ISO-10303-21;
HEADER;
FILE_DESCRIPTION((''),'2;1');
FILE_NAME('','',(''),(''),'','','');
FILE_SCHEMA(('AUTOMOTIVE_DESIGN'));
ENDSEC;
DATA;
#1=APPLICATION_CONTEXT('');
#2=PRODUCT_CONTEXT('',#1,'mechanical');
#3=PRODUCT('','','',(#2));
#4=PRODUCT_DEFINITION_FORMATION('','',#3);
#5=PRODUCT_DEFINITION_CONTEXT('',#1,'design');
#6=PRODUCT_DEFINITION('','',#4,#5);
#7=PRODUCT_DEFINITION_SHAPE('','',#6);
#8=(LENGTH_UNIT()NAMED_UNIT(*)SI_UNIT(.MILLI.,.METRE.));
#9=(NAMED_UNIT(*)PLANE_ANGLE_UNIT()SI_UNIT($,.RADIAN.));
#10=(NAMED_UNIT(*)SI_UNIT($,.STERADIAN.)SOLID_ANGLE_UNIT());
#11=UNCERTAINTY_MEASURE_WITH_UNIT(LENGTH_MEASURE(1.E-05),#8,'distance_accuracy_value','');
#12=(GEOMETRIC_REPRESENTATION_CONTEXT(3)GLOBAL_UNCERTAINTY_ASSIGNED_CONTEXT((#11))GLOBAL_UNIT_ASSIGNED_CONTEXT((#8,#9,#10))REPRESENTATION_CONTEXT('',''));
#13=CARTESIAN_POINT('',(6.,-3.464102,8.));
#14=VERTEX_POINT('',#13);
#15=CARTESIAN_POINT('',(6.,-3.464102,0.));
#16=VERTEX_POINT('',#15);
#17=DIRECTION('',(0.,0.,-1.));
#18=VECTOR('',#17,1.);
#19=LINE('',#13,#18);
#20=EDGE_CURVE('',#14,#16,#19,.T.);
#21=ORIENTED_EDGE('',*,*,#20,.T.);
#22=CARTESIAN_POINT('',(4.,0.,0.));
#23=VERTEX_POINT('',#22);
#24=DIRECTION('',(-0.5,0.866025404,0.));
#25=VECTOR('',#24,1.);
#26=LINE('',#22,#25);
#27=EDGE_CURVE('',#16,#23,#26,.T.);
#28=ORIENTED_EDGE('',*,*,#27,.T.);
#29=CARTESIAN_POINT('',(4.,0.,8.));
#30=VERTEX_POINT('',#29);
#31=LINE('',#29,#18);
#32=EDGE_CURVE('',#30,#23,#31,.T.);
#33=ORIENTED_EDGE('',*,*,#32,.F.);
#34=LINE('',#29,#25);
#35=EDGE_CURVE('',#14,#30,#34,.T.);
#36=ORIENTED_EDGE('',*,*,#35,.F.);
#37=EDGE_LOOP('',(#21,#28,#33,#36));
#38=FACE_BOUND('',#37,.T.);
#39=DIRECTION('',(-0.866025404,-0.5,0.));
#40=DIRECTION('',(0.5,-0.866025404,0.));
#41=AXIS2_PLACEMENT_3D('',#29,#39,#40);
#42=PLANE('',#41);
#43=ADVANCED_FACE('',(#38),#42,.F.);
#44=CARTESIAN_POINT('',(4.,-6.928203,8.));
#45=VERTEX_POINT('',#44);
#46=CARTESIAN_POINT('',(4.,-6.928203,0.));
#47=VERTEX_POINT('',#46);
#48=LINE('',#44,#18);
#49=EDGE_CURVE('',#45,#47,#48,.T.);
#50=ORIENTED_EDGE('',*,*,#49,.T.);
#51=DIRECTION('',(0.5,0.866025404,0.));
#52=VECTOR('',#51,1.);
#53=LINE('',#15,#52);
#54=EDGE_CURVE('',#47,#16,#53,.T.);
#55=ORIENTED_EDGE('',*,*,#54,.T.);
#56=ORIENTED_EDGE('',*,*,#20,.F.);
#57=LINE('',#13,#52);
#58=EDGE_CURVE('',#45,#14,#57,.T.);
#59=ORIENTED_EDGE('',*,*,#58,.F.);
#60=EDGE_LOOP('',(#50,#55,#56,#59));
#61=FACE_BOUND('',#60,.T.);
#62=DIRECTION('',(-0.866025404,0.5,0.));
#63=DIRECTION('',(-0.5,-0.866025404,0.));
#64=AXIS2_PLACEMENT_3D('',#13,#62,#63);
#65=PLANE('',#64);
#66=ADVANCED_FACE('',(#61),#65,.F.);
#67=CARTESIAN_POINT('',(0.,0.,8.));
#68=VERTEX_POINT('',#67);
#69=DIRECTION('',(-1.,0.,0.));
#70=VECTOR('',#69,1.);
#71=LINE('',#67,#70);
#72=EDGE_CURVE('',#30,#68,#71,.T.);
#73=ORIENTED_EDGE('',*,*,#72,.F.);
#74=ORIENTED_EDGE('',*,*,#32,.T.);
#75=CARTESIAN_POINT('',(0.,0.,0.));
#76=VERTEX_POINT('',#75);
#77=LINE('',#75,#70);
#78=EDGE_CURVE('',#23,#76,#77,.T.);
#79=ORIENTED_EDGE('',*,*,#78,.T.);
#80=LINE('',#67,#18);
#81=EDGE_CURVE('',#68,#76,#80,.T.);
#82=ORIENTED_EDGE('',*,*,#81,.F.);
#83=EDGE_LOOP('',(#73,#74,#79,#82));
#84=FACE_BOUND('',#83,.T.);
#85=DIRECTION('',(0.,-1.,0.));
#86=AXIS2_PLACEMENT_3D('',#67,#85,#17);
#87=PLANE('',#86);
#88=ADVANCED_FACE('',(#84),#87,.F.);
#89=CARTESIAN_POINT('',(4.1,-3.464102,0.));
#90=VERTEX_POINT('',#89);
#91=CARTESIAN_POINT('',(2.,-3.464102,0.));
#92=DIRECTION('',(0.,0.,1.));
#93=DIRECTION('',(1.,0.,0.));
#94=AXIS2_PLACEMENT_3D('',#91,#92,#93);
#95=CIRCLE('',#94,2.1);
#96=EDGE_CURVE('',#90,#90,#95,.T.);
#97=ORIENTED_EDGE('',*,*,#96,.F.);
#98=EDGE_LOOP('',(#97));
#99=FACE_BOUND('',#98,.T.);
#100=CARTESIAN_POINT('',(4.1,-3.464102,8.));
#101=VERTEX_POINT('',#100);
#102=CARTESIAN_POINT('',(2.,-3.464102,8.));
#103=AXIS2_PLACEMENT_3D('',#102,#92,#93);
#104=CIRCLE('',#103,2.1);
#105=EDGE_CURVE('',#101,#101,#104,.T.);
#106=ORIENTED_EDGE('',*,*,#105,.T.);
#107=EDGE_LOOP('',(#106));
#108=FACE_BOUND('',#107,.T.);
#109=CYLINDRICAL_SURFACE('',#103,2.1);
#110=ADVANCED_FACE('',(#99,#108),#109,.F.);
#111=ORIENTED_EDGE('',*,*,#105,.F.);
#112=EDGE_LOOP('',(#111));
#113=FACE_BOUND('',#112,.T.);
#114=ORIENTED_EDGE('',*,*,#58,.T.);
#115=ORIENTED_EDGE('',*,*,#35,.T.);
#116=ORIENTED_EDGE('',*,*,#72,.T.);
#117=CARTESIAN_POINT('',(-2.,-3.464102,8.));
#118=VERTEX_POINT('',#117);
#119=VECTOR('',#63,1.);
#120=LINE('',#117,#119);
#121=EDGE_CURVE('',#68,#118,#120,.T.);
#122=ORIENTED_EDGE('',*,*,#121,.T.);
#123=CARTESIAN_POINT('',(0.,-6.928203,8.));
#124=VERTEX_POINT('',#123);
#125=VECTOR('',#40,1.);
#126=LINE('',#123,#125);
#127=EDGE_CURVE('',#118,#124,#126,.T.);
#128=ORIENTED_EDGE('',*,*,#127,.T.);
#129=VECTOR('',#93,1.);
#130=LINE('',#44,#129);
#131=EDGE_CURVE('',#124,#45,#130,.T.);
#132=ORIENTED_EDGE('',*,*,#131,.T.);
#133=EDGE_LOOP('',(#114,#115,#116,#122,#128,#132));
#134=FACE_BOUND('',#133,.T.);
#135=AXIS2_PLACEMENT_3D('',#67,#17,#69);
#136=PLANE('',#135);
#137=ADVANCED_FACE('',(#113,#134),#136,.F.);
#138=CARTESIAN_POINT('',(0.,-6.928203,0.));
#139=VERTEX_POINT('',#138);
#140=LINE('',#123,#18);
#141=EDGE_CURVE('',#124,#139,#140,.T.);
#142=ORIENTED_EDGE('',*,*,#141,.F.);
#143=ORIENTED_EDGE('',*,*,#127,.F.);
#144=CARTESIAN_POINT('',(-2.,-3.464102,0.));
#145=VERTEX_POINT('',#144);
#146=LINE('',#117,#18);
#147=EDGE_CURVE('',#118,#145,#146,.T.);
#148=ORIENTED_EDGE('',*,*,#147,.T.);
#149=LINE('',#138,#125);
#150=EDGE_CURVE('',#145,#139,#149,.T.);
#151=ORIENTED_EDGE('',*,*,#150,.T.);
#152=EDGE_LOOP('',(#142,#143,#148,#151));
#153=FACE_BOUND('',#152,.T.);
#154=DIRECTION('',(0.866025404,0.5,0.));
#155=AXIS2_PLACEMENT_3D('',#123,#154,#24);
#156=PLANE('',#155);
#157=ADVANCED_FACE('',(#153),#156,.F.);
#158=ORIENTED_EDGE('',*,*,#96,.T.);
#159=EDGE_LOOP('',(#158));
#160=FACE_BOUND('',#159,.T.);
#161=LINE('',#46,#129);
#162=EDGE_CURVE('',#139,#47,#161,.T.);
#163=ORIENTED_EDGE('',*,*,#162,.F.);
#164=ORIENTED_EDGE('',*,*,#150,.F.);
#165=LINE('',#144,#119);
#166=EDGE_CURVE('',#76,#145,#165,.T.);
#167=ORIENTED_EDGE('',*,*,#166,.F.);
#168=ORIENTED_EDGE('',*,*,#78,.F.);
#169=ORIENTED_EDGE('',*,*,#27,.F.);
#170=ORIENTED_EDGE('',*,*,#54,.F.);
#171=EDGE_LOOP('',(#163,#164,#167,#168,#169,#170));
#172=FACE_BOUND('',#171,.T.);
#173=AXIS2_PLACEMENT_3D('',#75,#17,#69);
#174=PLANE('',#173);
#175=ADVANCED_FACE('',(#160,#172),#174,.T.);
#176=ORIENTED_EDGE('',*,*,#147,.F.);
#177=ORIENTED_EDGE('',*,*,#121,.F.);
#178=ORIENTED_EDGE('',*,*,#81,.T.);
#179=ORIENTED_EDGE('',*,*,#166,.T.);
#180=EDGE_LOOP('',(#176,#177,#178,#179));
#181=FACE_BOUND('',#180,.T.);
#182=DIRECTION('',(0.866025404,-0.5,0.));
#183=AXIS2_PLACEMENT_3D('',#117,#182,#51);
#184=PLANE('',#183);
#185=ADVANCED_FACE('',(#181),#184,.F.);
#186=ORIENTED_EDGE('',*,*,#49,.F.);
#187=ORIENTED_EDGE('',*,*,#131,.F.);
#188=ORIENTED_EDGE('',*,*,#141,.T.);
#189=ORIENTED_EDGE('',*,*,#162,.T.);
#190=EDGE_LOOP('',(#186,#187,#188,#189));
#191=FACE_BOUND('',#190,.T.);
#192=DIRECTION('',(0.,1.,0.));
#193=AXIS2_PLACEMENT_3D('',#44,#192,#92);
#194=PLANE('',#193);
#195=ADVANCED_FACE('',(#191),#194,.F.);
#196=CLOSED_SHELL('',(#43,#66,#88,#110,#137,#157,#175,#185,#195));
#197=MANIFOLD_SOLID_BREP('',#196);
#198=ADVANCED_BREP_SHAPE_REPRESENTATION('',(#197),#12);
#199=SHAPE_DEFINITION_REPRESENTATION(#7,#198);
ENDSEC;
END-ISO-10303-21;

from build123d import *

# Parameters (mm, degrees)
EXTRUDE_1_DEPTH  = 8
HOLE_WIZARD_M5_D = 4.2


with BuildPart() as part:
    # 草图1 → 凸台-拉伸1 (new body)
    with BuildSketch(Plane.XY):
        Polygon((0, 0), (4, 0), (6, -3.464101615), (4, -6.92820323), (0, -6.92820323), (-2, -3.464101615), align=None)
    extrude(amount=EXTRUDE_1_DEPTH)

    # M5 (through all)
    with Locations(Plane.XY.offset(8)):
        with Locations((2, -3.464101615)):
            Hole(HOLE_WIZARD_M5_D / 2)


solid = part.part
